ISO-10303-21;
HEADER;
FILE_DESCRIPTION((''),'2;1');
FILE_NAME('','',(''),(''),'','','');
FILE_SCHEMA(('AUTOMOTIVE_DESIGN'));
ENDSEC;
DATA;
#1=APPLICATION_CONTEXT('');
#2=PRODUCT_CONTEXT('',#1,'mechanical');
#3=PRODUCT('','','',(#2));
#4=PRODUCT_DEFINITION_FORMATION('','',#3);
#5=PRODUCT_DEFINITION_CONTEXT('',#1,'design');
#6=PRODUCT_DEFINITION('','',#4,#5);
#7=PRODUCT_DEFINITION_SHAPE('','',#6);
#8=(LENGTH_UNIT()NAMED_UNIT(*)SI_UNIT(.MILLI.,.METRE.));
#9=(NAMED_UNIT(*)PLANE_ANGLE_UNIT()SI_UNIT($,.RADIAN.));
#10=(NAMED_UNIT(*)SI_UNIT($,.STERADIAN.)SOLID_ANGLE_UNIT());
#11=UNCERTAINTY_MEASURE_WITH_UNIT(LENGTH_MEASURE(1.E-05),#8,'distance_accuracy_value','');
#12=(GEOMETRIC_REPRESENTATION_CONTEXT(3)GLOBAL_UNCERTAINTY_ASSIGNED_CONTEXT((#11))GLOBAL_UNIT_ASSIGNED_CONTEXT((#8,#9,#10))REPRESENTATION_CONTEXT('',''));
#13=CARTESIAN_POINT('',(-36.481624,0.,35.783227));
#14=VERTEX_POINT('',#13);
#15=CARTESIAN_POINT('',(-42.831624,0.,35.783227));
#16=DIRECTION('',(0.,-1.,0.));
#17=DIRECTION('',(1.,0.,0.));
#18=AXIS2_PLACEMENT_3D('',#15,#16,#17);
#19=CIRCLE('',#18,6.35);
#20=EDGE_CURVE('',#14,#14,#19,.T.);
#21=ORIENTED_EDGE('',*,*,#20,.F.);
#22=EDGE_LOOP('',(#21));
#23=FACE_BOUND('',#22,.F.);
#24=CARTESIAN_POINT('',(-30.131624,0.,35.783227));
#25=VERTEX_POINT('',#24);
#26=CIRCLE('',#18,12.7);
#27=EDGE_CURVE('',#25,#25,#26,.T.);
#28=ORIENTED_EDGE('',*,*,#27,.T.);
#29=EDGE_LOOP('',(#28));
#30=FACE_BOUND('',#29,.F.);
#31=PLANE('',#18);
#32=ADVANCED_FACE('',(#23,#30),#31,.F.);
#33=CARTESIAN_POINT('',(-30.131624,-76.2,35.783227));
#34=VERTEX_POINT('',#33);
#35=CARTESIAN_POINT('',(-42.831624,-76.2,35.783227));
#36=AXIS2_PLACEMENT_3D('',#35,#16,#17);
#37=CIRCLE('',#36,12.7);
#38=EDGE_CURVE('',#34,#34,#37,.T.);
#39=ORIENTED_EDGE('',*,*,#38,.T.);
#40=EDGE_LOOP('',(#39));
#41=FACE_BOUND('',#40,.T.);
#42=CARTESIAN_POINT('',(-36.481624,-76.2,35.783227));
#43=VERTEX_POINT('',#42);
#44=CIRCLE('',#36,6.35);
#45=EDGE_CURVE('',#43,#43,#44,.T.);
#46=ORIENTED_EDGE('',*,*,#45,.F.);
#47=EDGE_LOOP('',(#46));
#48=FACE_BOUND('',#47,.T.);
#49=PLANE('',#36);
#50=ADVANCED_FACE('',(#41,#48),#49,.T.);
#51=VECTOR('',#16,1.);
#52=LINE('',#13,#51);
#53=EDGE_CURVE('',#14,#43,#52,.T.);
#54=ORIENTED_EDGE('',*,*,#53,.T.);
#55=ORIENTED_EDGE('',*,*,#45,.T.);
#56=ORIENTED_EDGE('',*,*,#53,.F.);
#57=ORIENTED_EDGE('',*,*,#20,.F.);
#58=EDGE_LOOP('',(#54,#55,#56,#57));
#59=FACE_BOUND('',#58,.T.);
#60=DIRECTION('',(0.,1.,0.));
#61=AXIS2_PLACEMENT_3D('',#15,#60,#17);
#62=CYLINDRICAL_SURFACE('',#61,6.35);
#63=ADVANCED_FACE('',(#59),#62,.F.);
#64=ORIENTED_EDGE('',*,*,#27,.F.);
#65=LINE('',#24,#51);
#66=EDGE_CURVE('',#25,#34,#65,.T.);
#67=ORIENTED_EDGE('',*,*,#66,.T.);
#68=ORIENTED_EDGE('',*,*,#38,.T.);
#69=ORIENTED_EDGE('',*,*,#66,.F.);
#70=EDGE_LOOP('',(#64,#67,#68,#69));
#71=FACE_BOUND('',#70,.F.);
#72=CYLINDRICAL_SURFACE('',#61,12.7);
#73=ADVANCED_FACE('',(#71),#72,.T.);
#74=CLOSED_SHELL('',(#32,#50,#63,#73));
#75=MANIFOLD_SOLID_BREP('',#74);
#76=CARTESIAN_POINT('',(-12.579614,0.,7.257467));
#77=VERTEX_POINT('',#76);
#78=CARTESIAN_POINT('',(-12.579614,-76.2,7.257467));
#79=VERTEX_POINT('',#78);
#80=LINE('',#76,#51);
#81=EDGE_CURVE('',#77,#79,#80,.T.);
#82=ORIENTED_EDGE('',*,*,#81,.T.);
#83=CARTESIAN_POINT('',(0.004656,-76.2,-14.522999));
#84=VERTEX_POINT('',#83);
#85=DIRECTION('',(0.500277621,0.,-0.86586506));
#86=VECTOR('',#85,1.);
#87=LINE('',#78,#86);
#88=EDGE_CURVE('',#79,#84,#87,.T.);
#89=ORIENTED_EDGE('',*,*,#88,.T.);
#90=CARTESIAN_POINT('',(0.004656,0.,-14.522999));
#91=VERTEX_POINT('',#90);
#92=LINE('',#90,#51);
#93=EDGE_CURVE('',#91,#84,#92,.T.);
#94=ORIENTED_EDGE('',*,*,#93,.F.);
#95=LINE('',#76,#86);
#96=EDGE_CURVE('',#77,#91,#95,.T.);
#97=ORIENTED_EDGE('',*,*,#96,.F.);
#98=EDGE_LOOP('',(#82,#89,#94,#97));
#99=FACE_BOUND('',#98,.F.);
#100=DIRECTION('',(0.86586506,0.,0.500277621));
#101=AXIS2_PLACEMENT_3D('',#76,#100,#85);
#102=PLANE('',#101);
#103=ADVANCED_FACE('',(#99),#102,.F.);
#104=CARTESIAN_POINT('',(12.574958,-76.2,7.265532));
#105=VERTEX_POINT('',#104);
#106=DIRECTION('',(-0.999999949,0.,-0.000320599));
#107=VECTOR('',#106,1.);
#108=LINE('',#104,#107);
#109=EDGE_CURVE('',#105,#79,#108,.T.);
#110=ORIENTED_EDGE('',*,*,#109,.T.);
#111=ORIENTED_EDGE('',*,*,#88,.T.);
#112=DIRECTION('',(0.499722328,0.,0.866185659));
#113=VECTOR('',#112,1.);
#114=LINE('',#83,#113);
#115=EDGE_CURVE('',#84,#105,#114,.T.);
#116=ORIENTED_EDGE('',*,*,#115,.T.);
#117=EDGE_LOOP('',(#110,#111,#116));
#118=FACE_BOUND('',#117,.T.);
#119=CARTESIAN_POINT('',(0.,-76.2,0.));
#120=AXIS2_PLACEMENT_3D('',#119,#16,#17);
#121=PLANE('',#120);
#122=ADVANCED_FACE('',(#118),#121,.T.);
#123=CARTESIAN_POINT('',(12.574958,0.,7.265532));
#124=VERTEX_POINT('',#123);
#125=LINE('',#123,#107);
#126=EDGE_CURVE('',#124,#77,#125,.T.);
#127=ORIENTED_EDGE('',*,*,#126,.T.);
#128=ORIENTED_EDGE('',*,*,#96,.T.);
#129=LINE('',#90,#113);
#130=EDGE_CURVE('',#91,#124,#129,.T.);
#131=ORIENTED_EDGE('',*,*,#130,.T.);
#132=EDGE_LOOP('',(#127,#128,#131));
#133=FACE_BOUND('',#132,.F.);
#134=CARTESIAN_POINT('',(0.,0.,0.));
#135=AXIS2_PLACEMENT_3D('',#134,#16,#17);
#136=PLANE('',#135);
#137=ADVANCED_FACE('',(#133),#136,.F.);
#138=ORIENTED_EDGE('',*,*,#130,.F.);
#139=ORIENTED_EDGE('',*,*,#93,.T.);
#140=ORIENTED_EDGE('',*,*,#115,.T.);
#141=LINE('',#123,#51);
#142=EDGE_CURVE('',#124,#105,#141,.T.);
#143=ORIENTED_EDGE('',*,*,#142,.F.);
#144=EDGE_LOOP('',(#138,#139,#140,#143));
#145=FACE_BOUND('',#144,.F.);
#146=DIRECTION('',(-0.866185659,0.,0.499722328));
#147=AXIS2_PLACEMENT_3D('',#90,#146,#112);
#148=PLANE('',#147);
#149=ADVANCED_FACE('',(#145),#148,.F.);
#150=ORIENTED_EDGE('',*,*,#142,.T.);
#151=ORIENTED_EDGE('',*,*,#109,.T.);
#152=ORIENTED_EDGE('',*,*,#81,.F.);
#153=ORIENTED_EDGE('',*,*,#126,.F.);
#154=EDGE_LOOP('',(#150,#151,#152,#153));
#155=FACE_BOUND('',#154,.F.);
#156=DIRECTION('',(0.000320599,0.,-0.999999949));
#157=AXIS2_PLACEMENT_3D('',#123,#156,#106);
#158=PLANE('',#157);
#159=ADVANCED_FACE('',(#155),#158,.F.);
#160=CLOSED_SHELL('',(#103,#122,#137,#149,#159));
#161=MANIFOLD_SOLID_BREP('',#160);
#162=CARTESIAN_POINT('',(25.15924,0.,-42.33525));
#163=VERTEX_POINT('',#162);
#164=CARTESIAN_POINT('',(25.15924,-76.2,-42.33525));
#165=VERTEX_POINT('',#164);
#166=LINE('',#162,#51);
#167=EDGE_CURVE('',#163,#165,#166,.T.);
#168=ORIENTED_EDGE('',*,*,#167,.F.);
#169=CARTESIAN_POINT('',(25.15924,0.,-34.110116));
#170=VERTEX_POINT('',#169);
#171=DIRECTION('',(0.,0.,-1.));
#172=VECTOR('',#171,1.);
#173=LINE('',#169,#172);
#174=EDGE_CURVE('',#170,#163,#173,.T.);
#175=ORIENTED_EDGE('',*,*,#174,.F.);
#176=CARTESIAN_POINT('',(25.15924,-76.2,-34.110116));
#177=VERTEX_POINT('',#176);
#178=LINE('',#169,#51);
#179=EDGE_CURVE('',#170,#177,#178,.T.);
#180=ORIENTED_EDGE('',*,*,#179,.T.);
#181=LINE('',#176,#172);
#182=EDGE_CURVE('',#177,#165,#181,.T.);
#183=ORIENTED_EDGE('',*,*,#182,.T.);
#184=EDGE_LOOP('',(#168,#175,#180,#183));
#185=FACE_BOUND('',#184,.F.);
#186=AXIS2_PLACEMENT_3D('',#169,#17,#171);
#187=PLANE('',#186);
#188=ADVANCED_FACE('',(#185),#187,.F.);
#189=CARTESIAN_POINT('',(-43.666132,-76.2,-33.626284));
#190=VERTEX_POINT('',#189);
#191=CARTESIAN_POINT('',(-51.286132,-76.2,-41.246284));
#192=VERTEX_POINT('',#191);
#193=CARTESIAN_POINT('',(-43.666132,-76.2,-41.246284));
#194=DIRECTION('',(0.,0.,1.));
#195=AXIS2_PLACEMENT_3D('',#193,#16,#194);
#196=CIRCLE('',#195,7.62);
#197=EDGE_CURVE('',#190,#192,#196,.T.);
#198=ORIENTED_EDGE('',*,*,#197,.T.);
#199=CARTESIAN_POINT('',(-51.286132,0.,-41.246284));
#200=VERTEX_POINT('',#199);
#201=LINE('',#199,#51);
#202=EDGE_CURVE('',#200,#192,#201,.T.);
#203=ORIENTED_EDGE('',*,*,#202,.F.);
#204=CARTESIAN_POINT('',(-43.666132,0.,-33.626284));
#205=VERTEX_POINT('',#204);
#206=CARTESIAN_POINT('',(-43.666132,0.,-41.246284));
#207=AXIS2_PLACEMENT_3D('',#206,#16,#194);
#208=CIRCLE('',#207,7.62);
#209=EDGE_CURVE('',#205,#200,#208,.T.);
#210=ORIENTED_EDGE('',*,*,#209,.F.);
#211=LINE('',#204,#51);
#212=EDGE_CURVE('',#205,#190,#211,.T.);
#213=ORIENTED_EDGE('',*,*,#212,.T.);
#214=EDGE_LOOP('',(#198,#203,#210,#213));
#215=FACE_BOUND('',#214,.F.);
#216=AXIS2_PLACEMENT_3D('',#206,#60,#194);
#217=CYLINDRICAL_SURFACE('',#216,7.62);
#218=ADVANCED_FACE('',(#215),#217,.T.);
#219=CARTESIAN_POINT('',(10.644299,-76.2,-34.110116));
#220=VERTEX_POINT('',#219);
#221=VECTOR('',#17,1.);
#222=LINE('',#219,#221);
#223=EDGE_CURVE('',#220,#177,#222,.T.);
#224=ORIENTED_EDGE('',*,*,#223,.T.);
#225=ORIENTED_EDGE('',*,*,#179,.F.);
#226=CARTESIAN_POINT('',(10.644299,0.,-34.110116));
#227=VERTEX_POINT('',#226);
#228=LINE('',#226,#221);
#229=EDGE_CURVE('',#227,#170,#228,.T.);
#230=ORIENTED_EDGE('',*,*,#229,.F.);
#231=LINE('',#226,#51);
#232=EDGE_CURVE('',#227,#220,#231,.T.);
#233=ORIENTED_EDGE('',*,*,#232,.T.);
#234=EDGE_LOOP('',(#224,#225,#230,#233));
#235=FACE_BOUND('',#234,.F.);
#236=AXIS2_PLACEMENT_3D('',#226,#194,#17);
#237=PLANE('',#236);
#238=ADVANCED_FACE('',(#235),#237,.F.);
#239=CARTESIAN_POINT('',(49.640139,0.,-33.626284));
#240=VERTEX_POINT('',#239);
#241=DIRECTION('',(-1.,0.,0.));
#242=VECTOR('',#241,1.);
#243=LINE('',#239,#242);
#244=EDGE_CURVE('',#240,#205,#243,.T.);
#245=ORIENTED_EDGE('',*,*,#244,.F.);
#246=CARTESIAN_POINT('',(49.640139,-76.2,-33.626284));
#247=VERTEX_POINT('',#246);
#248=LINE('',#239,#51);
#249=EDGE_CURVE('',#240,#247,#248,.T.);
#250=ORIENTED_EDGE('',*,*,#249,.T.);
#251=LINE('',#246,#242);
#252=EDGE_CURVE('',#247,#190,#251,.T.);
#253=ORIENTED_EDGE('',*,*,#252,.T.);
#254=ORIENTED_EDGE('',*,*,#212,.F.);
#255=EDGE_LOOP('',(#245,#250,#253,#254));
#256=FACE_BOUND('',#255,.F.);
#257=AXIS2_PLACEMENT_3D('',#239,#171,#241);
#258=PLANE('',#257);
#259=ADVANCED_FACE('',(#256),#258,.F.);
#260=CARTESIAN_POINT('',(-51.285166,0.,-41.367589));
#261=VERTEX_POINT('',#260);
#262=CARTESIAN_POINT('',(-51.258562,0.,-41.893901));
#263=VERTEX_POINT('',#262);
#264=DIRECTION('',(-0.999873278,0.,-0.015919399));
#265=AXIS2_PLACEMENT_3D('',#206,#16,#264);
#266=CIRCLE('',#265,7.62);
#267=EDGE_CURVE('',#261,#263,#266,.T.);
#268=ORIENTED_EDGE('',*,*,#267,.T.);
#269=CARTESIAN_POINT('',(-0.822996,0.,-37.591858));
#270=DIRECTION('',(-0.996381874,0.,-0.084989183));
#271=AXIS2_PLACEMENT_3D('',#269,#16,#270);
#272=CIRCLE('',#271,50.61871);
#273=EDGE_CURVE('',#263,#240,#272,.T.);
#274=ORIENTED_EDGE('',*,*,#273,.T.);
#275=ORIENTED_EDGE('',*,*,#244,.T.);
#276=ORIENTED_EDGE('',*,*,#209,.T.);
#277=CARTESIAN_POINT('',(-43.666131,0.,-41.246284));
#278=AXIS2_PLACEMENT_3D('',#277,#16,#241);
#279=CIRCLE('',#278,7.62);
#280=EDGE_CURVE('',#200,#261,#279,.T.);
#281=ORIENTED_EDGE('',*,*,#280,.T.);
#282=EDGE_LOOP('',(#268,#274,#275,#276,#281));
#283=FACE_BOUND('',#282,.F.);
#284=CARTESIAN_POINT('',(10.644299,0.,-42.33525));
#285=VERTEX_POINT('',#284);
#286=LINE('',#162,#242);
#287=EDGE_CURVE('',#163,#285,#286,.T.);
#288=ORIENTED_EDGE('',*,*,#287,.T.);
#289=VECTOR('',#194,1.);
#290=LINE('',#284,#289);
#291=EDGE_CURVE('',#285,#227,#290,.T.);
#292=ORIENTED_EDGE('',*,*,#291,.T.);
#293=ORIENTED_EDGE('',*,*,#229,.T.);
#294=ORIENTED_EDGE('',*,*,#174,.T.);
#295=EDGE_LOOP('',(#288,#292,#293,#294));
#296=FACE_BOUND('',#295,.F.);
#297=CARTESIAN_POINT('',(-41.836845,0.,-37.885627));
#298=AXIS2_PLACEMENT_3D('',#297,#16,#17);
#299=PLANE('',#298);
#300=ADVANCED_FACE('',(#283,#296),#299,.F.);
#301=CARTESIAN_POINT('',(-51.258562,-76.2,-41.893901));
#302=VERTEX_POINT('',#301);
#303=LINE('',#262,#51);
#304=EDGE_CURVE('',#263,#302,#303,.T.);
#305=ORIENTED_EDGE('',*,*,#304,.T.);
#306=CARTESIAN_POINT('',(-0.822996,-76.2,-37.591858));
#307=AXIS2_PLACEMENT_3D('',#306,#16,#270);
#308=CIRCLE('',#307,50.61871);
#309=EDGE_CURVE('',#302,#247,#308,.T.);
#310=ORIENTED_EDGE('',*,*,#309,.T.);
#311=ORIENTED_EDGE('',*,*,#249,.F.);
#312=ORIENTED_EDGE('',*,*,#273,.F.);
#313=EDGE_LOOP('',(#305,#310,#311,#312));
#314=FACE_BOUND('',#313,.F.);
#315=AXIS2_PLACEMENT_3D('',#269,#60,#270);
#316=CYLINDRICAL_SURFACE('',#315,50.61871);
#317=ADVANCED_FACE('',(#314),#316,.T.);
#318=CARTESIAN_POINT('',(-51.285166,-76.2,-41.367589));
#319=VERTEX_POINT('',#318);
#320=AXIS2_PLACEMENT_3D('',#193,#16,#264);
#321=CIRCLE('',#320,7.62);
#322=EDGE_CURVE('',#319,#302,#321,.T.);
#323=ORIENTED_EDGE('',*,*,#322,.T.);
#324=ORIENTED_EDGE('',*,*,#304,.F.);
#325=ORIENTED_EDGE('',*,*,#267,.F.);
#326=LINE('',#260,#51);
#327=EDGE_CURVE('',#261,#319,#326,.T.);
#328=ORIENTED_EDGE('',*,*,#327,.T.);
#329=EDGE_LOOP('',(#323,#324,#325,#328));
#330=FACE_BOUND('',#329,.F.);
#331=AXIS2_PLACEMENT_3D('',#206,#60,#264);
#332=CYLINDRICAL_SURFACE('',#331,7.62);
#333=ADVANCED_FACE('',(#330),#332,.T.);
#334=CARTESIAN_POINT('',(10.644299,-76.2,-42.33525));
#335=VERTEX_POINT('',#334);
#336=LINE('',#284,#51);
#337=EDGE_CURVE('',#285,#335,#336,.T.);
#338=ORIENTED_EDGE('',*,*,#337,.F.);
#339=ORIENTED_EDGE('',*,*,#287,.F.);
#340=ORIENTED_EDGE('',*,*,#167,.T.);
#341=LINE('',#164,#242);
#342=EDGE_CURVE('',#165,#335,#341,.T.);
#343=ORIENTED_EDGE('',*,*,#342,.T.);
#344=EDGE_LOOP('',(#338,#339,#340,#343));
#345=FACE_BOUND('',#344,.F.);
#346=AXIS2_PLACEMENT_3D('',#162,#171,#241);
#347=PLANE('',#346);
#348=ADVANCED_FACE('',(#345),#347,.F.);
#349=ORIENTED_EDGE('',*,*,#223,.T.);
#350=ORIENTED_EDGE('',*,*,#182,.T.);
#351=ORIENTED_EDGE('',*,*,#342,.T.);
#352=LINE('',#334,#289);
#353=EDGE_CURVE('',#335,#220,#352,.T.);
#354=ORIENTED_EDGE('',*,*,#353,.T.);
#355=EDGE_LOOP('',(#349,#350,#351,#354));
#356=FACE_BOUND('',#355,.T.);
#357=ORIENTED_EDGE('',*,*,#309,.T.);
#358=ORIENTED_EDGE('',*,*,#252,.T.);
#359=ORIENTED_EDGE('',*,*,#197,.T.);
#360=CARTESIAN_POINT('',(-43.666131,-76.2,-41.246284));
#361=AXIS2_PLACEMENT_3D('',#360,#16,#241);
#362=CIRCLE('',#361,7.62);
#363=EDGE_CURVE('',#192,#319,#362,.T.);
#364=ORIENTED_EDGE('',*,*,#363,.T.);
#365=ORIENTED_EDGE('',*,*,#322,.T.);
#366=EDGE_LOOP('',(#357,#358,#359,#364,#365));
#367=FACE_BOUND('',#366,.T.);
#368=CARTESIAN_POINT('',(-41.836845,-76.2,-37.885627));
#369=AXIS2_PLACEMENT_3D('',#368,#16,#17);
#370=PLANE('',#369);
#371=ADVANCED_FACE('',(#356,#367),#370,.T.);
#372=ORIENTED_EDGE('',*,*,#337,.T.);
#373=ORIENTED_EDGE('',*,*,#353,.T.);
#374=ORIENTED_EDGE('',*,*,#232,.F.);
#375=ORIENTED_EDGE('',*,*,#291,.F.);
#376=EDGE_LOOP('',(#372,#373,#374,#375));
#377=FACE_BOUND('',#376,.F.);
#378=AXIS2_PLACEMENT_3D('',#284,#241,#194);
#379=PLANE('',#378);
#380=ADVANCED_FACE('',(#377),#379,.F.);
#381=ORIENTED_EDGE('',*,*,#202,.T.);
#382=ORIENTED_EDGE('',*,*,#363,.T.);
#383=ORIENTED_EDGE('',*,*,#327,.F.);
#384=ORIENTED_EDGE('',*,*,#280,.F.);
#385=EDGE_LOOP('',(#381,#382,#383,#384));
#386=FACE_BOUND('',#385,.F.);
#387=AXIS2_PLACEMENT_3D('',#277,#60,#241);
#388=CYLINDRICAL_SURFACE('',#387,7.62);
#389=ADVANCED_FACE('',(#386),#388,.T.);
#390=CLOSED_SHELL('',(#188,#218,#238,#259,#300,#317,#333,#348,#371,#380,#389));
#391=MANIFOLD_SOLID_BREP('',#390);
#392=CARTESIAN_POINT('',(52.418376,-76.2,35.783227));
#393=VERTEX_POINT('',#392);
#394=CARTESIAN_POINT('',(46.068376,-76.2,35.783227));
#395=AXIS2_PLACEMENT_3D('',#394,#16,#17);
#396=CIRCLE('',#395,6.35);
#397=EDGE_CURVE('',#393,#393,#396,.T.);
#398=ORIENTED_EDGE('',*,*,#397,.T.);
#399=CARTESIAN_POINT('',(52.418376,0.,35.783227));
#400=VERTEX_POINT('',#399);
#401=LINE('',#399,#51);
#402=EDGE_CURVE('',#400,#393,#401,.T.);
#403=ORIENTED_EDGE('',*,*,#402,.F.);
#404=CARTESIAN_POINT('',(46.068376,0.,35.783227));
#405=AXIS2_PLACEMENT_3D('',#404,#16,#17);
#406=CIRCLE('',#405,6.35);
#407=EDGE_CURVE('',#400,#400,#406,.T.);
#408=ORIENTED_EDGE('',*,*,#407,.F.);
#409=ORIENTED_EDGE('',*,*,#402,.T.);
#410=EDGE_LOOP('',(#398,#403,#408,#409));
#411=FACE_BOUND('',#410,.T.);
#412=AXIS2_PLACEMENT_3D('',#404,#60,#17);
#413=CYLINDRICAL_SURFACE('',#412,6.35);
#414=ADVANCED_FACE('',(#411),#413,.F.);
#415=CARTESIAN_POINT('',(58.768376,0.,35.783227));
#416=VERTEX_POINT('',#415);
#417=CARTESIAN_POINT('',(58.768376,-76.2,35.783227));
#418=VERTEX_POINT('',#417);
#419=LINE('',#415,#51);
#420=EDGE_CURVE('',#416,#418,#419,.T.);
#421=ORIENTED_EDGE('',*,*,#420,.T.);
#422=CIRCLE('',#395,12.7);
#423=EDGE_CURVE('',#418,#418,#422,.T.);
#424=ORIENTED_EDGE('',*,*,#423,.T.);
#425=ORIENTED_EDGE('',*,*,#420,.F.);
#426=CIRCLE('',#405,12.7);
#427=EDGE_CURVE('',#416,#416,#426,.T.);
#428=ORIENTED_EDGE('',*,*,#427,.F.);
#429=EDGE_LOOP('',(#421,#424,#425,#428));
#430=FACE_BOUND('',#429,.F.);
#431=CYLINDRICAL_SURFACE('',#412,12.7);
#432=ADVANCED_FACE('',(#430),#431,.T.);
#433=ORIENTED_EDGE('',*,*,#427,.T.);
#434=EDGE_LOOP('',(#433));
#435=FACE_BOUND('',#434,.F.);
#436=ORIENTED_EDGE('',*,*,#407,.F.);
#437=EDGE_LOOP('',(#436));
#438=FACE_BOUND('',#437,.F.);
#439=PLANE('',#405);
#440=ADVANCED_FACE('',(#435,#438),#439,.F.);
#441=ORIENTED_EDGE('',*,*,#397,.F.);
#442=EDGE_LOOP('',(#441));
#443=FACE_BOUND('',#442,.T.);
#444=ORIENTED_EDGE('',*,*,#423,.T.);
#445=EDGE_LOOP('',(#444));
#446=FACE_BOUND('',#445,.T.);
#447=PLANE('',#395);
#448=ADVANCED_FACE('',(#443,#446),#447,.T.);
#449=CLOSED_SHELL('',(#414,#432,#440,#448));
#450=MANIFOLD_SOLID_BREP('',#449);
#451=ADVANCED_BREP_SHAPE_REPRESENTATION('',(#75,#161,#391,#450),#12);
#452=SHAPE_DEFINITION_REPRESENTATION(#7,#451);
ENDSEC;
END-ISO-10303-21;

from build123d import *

# Parameters (mm, degrees)
F1_DEPTH = 76.2
F0_R     = 12.7
F0_R_2   = 6.35
F0_W     = 14.0311091589
F0_H     = 0.483832124
F0_W_2   = 14.0311132381
F0_H_2   = 7.7413058248


with BuildPart() as f1:
    # F0 (on Front) → F1 (new body)
    with BuildSketch(Plane.XZ):
        Polygon((0.0046560519, -14.5229986625), (12.5749577549, 7.2655315905), (-12.5796138068, 7.2574670721), align=None)
    extrude(amount=F1_DEPTH)


with BuildPart() as f1b:
    # F0 (on Front) → F1, piece 2 (new body)
    with BuildSketch(Plane.XZ):
        with Locations((-42.8316236274, 35.7832270636)):
            Circle(F0_R)
        with Locations((-42.8316236274, 35.7832270636)):
            Circle(F0_R_2, mode=Mode.SUBTRACT)
    extrude(amount=F1_DEPTH)


with BuildPart() as f1c:
    # F0 (on Front) → F1, piece 3 (new body)
    with BuildSketch(Plane.XZ):
        with Locations((46.0683763726, 35.7832270636)):
            Circle(F0_R)
        with Locations((46.0683763726, 35.7832270636)):
            Circle(F0_R_2, mode=Mode.SUBTRACT)
    extrude(amount=F1_DEPTH)


with BuildPart() as f1d:
    # F0 (on Front) → F1, piece 4 (new body)
    with BuildSketch(Plane.XZ):
        with BuildLine():
            Line((-33.868199726, -33.626283664), (-43.6661317129, -33.626283664))
            ThreePointArc((-43.6661317129, -33.626283664), (-49.0542853856, -35.8581299914), (-51.2861317129, -41.246283664))
            ThreePointArc((-51.2861317129, -41.246283664), (-51.2858903043, -41.306938498), (-51.2851660938, -41.3675894888))
            Line((-51.2851660938, -41.3675894888), (-33.868199726, -41.3675894888))
            Line((-33.868199726, -41.3675894888), (-33.868199726, -33.626283664))
        make_face()
        with Locations((17.659853148, -33.868199726)):
            Rectangle(F0_W, F0_H)
        with Locations((-26.8526431069, -37.4969365764)):
            Rectangle(F0_W_2, F0_H_2)
        Polygon((-4.3544824868, -33.626283664), (-19.8370864879, -33.626283664), (-19.8370864879, -41.3675894888), (-19.8370864879, -41.8514175335), (-4.3544824868, -41.8514175335), align=None)
        Polygon((36.7711924697, -33.626283664), (24.6754077274, -33.626283664), (24.6754077274, -34.110115788), (25.1592398514, -34.110115788), (25.1592398514, -41.8514175335), (36.7711924697, -41.8514175335), align=None)
        Polygon((10.6442985686, -33.626283664), (-4.3544824868, -33.626283664), (-4.3544824868, -41.8514175335), (10.6442985686, -41.8514175335), (10.6442985686, -34.110115788), align=None)
        with BuildLine():
            Line((-19.8370864879, -41.3675894888), (-33.868199726, -41.3675894888))
            Line((-33.868199726, -41.3675894888), (-51.2851660938, -41.3675894888))
            ThreePointArc((-51.2851660938, -41.3675894888), (-51.2764150356, -41.6309754224), (-51.2585615924, -41.8939012401))
            ThreePointArc((-51.2585615924, -41.8939012401), (3.3108353665, -88.0414891688), (49.6401389008, -33.626283664))
            Line((49.6401389008, -33.626283664), (36.7711924697, -33.626283664))
            Line((36.7711924697, -33.626283664), (36.7711924697, -41.8514175335))
            Line((36.7711924697, -41.8514175335), (25.1592398514, -41.8514175335))
            Line((25.1592398514, -41.8514175335), (25.1592398514, -42.3352496575))
            Line((25.1592398514, -42.3352496575), (10.6442985686, -42.3352496575))
            Line((10.6442985686, -42.3352496575), (10.6442985686, -41.8514175335))
            Line((10.6442985686, -41.8514175335), (-4.3544824868, -41.8514175335))
            Line((-4.3544824868, -41.8514175335), (-19.8370864879, -41.8514175335))
            Line((-19.8370864879, -41.8514175335), (-19.8370864879, -41.3675894888))
        make_face()
    extrude(amount=F1_DEPTH)


solid = Compound([f1.part, f1b.part, f1c.part, f1d.part])
